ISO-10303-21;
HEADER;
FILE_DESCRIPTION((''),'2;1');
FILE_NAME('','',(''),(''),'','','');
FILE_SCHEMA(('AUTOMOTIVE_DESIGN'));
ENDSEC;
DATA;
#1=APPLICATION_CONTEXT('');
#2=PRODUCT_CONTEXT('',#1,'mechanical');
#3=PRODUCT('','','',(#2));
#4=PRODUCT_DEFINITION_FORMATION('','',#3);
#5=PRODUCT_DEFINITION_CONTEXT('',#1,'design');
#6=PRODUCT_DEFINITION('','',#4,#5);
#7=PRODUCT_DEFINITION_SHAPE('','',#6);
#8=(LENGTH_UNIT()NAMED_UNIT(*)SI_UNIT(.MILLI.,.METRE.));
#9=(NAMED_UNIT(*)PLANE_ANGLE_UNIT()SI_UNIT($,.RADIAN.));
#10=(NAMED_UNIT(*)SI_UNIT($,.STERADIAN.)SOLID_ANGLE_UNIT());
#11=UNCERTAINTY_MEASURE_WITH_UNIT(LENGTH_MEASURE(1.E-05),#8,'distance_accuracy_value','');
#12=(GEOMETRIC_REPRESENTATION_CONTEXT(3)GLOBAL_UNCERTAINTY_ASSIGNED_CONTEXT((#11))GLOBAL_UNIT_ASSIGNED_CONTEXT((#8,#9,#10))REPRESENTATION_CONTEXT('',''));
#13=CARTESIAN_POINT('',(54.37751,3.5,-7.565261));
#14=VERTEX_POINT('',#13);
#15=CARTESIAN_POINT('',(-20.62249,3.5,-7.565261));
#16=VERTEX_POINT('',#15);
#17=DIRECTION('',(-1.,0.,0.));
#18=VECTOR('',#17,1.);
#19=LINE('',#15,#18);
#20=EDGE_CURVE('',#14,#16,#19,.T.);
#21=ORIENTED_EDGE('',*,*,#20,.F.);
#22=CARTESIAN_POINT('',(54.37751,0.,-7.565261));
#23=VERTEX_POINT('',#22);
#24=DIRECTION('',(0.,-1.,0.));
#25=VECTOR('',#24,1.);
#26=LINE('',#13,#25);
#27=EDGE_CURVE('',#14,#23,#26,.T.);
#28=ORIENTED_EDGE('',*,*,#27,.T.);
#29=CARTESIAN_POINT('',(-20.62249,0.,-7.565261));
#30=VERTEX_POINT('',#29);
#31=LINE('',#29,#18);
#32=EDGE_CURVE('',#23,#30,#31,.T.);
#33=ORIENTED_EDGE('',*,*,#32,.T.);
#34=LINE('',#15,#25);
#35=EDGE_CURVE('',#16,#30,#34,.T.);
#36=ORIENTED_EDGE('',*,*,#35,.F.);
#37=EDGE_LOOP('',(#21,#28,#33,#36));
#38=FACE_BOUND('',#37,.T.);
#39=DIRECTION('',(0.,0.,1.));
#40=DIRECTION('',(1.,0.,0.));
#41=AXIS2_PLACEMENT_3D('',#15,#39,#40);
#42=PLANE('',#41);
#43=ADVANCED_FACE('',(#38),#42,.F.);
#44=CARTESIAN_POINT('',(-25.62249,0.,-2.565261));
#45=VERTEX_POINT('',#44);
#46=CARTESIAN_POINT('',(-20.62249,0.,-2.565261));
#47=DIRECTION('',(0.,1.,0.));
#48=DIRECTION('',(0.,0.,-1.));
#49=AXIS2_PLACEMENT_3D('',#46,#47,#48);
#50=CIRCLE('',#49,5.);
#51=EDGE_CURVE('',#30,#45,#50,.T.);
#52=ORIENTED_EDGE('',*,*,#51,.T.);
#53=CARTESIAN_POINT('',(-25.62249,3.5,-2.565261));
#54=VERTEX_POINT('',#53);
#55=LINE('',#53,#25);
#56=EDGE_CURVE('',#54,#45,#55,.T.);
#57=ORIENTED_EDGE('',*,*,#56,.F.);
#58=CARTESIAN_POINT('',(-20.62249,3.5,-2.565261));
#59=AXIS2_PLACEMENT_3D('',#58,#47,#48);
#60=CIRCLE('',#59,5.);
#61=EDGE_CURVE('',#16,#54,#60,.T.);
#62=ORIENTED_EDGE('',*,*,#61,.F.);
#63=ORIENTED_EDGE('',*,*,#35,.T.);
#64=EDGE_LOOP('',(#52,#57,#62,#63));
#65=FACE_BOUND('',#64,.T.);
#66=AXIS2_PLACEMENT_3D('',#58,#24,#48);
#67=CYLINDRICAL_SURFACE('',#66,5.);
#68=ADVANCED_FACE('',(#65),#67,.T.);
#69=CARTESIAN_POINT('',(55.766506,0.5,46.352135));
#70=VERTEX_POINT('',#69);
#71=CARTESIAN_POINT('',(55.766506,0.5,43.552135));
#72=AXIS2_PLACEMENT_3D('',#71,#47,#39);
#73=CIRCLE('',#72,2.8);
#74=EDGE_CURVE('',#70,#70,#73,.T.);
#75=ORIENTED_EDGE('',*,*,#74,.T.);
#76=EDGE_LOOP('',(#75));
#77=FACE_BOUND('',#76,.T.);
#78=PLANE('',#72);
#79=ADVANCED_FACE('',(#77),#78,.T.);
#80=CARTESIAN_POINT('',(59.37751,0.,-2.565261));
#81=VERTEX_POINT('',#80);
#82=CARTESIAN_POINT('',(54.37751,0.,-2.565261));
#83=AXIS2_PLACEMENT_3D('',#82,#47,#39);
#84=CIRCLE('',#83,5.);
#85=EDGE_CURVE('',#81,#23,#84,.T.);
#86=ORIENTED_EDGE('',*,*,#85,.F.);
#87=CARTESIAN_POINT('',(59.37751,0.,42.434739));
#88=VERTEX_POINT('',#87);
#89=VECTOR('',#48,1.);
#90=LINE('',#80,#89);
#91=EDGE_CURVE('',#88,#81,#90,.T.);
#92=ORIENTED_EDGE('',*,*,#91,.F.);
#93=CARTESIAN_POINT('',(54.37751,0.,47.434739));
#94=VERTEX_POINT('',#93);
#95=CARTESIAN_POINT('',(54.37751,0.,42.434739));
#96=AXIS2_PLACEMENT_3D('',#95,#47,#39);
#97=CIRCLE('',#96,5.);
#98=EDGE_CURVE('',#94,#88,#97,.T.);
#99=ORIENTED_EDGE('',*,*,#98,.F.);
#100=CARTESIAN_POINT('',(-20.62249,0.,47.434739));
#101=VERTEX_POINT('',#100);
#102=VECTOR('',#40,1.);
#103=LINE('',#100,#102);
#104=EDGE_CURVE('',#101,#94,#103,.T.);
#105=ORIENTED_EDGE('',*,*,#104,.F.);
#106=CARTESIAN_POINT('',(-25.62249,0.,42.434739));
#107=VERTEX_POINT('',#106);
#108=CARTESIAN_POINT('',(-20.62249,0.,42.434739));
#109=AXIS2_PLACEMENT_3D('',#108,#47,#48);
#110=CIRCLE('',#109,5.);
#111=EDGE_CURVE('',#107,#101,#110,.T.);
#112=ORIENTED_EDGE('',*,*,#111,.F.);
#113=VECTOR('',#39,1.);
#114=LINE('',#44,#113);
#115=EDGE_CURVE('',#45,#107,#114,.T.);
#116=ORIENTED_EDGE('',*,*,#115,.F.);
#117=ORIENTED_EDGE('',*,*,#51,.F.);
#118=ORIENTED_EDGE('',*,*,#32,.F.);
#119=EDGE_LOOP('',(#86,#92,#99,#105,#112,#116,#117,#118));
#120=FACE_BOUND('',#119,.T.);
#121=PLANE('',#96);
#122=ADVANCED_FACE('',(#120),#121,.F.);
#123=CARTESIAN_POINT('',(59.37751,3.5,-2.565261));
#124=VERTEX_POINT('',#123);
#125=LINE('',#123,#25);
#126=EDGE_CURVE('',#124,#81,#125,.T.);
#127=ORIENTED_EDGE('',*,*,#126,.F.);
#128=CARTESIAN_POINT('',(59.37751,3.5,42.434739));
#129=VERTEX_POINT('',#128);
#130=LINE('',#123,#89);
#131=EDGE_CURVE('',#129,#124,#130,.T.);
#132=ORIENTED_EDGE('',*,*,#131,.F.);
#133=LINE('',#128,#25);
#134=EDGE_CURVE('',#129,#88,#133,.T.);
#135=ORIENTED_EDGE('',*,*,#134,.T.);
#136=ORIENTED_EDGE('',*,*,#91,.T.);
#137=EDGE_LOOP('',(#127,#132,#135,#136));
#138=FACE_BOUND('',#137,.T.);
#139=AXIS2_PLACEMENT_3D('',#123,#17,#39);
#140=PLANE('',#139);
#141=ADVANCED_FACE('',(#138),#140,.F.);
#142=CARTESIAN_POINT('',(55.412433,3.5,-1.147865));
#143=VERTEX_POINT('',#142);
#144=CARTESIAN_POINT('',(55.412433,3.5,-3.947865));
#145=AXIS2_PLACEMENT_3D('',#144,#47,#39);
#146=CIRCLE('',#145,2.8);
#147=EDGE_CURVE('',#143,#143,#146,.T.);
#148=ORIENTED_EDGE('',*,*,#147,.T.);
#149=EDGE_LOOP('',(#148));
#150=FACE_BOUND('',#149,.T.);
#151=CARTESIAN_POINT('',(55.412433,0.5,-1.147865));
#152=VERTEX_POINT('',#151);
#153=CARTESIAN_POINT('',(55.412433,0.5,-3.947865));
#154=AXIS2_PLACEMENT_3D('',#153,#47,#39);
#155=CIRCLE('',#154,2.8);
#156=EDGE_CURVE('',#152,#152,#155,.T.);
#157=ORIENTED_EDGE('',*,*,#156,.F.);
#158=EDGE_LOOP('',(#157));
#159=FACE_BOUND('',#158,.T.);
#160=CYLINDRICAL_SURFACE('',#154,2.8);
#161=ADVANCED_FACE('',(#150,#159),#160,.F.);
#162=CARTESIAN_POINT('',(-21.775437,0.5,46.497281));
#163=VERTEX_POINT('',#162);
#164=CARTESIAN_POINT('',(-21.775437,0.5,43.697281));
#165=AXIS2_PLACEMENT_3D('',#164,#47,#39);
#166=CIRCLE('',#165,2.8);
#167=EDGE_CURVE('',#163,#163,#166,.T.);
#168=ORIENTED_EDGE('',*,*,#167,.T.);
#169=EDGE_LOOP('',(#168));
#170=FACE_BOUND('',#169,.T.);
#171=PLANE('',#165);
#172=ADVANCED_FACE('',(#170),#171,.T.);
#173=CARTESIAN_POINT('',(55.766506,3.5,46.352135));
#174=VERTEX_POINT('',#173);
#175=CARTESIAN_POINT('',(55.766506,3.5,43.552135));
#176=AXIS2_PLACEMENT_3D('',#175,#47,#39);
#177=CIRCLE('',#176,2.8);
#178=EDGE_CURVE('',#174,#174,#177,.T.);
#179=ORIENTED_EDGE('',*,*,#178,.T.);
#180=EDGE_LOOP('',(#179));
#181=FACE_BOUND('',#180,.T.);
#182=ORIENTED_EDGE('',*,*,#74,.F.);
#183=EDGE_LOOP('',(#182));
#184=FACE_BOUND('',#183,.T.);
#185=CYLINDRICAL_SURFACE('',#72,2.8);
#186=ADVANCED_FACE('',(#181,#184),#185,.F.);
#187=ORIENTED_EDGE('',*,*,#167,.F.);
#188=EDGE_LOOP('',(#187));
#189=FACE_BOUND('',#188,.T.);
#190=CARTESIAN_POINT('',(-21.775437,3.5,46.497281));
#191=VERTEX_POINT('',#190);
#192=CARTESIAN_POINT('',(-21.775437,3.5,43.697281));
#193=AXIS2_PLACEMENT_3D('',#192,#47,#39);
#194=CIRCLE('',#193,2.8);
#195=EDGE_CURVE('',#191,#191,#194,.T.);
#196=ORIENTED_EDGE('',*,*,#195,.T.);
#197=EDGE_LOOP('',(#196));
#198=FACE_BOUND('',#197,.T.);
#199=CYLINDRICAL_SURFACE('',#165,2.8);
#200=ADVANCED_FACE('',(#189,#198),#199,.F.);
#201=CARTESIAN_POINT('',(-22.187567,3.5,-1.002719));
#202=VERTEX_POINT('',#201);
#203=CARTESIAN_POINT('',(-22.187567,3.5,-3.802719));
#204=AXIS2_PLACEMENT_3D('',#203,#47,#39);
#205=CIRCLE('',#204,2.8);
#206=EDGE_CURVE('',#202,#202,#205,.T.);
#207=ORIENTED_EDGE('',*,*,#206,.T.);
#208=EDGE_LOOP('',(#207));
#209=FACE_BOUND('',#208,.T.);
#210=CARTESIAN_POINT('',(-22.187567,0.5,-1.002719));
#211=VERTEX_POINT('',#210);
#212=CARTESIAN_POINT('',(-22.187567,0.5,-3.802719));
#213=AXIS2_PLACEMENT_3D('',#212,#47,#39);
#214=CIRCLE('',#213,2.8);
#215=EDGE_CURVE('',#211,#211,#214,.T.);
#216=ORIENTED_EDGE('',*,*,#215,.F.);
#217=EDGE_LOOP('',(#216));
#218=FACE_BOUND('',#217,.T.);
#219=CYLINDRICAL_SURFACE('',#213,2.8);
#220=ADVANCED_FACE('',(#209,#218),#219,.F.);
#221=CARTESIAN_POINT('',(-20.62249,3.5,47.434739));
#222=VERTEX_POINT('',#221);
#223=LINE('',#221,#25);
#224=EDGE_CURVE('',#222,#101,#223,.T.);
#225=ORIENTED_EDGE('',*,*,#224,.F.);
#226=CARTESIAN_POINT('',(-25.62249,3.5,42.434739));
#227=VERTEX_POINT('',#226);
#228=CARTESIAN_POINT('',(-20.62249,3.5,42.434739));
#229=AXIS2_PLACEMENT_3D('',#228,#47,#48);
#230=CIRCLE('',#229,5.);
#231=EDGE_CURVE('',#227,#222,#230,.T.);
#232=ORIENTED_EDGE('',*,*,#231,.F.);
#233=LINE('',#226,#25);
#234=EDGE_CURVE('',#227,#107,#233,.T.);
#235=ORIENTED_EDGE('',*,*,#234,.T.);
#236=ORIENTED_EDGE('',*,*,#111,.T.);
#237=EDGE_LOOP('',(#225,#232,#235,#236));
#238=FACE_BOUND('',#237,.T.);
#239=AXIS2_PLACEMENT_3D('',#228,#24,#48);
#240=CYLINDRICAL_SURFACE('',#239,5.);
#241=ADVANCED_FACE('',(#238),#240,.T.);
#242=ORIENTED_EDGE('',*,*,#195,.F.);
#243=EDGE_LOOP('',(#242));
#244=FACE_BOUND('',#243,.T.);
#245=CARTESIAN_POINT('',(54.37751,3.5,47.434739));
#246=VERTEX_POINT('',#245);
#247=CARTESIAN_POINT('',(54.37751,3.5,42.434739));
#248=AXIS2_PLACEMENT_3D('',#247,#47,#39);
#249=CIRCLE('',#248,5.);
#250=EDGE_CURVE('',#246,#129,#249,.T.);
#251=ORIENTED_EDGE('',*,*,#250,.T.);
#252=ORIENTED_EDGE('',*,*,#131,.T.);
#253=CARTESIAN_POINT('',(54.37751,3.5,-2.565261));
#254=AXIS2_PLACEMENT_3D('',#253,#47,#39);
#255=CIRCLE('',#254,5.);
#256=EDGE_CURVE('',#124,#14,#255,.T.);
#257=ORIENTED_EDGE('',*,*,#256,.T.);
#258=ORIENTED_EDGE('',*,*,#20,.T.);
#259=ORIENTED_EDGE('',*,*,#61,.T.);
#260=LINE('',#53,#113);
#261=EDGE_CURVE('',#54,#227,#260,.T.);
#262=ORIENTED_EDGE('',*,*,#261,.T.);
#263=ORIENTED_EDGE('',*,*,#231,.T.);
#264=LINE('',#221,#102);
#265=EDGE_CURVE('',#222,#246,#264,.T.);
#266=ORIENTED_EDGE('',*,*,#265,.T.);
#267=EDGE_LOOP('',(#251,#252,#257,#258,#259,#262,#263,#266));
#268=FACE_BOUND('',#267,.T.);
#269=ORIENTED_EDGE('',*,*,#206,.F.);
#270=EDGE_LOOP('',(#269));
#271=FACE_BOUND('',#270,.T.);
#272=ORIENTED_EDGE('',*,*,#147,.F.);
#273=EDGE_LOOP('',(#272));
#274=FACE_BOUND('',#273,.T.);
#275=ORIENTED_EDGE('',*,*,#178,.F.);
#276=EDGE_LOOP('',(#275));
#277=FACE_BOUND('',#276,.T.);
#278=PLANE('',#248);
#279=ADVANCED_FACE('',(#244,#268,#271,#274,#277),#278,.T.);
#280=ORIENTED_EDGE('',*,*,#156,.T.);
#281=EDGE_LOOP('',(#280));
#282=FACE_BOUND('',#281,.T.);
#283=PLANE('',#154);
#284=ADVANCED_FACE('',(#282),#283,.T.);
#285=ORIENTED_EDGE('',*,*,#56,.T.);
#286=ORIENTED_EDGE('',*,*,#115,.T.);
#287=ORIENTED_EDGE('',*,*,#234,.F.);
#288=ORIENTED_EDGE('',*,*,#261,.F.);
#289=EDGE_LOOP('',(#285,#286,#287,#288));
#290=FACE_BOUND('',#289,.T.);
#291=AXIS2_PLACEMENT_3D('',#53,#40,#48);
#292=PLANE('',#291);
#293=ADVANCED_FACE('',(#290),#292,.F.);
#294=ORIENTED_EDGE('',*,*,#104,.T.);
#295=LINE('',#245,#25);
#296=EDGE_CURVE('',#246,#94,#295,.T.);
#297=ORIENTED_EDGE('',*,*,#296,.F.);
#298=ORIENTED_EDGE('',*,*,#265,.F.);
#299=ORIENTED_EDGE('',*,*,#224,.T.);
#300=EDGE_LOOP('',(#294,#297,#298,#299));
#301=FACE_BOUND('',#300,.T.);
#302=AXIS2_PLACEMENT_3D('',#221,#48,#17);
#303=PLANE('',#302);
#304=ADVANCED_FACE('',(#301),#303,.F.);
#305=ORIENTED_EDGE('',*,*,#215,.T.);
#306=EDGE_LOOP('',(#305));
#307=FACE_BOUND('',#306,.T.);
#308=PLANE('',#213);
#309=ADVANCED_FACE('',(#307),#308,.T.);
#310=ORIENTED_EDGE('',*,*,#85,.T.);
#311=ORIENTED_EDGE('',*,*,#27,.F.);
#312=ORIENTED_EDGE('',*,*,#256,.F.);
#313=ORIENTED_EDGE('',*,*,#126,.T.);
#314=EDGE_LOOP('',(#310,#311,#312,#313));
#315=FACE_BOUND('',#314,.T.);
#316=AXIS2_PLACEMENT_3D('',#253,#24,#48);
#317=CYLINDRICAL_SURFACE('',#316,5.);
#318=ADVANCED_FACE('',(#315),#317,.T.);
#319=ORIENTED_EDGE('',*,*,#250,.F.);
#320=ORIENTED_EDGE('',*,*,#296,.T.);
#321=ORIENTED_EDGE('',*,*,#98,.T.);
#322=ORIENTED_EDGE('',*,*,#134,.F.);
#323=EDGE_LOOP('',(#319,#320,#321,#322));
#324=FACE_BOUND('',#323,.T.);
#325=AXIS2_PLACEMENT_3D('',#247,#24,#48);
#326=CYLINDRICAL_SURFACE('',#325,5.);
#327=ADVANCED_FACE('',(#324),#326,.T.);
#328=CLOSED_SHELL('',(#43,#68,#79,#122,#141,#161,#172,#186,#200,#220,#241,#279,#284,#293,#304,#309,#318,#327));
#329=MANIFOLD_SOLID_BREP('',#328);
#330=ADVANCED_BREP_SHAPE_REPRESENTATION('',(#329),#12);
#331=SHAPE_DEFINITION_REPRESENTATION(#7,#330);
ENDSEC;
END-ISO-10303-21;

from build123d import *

# Parameters (mm, degrees)
BOSS_EXTRUDE1_DEPTH = 3.5
SKETCH2_R           = 2.8
CUT_EXTRUDE1_DEPTH  = 3


with BuildPart() as part:
    # Sketch1 → Boss-Extrude1 (new body)
    with BuildSketch(Plane(origin=(0, 0, 0), x_dir=(1, 0, 0), z_dir=(0, 1, 0))):
        with BuildLine():
            Line((-20.62248996, 7.565261044), (54.37751004, 7.565261044))
            ThreePointArc((54.37751004, 7.565261044), (57.913043946, 6.10079495), (59.37751004, 2.565261044))
            Line((59.37751004, 2.565261044), (59.37751004, -42.434738956))
            ThreePointArc((59.37751004, -42.434738956), (57.913043946, -45.970272862), (54.37751004, -47.434738956))
            Line((54.37751004, -47.434738956), (-20.62248996, -47.434738956))
            ThreePointArc((-20.62248996, -47.434738956), (-24.158023866, -45.970272862), (-25.62248996, -42.434738956))
            Line((-25.62248996, -42.434738956), (-25.62248996, 2.565261044))
            ThreePointArc((-25.62248996, 2.565261044), (-24.158023866, 6.10079495), (-20.62248996, 7.565261044))
        make_face()
    extrude(amount=BOSS_EXTRUDE1_DEPTH)

    # Sketch2 → Cut-Extrude1 (cut)
    with BuildSketch(Plane(origin=(0, 3.5, 0), x_dir=(1, 0, 0), z_dir=(0, 1, 0))):
        with Locations((-22.187566987, 3.802718615)):
            Circle(SKETCH2_R)
        with Locations((-21.775437199, -43.697281385)):
            Circle(SKETCH2_R)
        with Locations((55.412433013, 3.947865339)):
            Circle(SKETCH2_R)
        with Locations((55.766505812, -43.552134661)):
            Circle(SKETCH2_R)
    extrude(amount=-CUT_EXTRUDE1_DEPTH, mode=Mode.SUBTRACT)


solid = part.part
